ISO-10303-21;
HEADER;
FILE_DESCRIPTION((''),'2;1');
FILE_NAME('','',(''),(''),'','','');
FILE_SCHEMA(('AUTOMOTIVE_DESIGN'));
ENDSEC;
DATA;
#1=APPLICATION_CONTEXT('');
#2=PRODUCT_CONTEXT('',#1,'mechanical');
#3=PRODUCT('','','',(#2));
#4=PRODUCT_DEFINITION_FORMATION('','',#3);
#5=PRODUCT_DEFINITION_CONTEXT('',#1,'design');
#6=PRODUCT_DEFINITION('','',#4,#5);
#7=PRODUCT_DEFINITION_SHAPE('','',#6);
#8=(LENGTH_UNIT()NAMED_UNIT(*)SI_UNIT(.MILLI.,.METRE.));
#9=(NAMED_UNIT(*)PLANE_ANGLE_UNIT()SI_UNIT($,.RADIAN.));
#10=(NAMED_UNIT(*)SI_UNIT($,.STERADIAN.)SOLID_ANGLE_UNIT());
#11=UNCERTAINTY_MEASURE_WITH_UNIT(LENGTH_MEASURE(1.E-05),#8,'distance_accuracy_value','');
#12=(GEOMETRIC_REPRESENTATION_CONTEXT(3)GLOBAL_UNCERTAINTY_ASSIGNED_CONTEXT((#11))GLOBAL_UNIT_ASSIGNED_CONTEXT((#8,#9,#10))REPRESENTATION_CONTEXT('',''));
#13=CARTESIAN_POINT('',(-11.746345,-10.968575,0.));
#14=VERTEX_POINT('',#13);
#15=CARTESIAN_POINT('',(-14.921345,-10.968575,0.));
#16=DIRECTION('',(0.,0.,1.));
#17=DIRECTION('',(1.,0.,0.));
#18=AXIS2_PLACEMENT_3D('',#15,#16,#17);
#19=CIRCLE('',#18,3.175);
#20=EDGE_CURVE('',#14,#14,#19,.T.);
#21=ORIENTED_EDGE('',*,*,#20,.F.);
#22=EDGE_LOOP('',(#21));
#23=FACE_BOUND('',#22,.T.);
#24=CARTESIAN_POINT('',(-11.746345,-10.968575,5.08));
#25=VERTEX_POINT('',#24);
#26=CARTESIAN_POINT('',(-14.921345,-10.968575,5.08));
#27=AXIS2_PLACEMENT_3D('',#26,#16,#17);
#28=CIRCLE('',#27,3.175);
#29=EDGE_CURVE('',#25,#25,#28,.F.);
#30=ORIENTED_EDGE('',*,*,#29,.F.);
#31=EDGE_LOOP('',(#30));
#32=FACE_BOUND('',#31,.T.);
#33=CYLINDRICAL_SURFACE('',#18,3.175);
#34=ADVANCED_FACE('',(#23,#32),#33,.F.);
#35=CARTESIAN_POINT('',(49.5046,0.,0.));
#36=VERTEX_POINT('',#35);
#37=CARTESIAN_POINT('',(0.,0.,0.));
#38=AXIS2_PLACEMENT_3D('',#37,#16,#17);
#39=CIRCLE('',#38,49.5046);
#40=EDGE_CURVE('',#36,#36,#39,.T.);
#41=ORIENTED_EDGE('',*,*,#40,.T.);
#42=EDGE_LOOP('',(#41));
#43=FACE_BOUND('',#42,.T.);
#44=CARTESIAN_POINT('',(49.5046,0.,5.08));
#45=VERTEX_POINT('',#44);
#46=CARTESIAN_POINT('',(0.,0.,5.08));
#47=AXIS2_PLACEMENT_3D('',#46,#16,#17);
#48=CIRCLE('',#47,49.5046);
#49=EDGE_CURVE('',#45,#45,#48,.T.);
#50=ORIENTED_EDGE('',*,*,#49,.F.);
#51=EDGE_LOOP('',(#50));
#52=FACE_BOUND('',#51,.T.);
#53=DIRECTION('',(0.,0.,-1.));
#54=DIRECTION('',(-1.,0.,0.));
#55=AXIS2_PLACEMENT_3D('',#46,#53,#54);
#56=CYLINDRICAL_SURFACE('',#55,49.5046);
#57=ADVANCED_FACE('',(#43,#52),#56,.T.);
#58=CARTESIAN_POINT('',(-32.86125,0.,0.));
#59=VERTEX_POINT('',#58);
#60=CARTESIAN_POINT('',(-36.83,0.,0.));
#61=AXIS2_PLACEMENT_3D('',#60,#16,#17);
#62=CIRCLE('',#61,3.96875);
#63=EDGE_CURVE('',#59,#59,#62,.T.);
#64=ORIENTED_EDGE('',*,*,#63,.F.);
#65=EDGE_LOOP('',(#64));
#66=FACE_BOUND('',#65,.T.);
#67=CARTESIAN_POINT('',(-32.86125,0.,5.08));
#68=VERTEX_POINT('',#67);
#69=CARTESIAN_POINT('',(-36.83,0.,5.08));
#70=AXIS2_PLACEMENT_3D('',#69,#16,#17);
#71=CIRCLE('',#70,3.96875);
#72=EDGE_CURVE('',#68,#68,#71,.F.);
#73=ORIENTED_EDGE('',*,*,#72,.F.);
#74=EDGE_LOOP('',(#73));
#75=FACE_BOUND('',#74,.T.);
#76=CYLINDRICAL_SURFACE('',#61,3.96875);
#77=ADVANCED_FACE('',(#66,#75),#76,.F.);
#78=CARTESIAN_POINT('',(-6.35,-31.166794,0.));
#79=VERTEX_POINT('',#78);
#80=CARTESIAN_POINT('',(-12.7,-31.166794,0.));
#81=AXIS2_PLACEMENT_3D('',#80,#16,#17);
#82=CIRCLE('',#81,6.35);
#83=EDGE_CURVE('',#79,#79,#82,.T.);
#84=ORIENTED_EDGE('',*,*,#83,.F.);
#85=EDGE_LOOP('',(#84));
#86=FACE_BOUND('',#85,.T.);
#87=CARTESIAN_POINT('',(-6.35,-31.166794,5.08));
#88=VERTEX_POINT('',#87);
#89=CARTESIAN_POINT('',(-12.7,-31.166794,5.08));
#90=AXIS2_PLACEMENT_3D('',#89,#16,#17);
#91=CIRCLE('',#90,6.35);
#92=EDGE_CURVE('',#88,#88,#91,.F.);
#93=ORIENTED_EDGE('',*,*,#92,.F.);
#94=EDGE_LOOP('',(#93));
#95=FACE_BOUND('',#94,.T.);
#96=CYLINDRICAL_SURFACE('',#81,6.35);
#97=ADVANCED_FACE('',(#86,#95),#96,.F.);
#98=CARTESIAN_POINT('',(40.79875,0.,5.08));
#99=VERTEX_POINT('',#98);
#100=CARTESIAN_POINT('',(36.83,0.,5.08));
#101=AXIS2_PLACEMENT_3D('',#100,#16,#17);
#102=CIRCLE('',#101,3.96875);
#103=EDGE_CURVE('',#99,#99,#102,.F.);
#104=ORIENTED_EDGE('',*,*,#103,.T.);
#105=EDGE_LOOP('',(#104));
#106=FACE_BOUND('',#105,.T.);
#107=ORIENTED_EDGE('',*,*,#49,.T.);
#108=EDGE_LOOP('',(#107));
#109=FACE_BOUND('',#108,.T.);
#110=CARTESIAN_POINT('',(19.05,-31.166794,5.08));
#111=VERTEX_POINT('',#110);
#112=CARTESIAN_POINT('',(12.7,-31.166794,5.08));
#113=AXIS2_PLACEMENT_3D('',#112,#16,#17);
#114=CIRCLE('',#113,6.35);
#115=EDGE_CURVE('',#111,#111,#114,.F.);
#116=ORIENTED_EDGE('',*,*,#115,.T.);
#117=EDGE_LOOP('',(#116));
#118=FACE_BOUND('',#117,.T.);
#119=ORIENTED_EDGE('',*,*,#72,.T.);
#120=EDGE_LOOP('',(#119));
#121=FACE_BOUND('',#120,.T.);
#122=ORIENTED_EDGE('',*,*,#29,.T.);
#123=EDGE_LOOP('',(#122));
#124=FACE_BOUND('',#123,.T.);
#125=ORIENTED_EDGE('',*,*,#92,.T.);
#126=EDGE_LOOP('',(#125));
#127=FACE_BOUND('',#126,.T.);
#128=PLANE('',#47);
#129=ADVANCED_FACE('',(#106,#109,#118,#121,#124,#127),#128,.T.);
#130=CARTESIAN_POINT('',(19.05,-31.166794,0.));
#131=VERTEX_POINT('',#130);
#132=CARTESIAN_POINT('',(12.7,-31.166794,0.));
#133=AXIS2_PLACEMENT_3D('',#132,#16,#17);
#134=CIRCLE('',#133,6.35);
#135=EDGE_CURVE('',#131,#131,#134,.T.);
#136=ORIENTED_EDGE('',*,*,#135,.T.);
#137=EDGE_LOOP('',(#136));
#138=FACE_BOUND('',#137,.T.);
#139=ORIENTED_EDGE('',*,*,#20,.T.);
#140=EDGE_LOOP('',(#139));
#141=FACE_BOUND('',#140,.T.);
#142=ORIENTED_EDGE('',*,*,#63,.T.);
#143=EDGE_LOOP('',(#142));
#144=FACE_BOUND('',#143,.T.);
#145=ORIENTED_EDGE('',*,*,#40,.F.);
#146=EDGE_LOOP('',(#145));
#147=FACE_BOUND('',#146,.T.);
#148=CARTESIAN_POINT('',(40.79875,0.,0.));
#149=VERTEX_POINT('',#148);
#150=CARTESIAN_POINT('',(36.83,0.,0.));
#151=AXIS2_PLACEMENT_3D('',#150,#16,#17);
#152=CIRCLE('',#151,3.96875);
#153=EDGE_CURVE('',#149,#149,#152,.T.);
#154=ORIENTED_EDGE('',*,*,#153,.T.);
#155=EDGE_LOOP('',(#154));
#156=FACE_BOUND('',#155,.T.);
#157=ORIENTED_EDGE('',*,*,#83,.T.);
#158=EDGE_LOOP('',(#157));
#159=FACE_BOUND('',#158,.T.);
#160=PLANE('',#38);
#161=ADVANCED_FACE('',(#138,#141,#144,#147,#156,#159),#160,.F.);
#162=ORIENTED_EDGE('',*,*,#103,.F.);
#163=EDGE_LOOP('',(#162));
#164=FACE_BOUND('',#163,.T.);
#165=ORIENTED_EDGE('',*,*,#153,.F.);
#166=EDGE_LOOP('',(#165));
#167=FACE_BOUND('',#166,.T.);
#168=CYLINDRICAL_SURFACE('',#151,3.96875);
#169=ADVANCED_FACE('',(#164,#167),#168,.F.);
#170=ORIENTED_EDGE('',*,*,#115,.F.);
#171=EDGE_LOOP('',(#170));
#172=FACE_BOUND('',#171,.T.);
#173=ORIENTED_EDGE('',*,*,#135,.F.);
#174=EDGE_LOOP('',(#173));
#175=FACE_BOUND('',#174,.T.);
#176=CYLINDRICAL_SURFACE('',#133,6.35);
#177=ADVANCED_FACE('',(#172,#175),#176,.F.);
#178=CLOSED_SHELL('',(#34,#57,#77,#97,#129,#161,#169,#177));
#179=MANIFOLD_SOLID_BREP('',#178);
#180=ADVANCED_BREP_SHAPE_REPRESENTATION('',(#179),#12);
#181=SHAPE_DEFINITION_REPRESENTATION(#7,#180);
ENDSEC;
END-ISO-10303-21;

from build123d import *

# Parameters (mm, degrees)
SKETCH1_R           = 49.5046
BOSS_EXTRUDE1_DEPTH = 5.08
SKETCH2_R           = 47.625
BOSS_EXTRUDE2_DEPTH = 3.175
SKETCH3_R           = 6.35
SKETCH3_R_2         = 3.96875
SKETCH3_R_3         = 3.175
CUT_EXTRUDE1_DEPTH  = 9.255
SKETCH4_R           = 53.657769874
CUT_EXTRUDE2_DEPTH  = 3.175


with BuildPart() as part:
    # Sketch1 → Boss-Extrude1 (new body)
    with BuildSketch(Plane.XY):
        Circle(SKETCH1_R)
    extrude(amount=BOSS_EXTRUDE1_DEPTH)

    # Sketch2 → Boss-Extrude2 (add)
    with BuildSketch(Plane.XY.offset(5.08)):
        Circle(SKETCH2_R)
    extrude(amount=BOSS_EXTRUDE2_DEPTH)

    # Sketch3 → Cut-Extrude1 (cut, through all)
    with BuildSketch(Plane.XY.offset(8.255)):
        with Locations((-12.7, -31.166793627)):
            Circle(SKETCH3_R)
        with Locations((12.7, -31.166793627)):
            Circle(SKETCH3_R)
        with Locations((-36.83, 0)):
            Circle(SKETCH3_R_2)
        with Locations((36.83, 0)):
            Circle(SKETCH3_R_2)
        with Locations((-14.921345457, -10.968575281)):
            Circle(SKETCH3_R_3)
    extrude(amount=-CUT_EXTRUDE1_DEPTH, mode=Mode.SUBTRACT)

    # Sketch4 → Cut-Extrude2 (cut)
    with BuildSketch(Plane.XY.offset(8.255)):
        Circle(SKETCH4_R)
    extrude(amount=-CUT_EXTRUDE2_DEPTH, mode=Mode.SUBTRACT)


solid = part.part
